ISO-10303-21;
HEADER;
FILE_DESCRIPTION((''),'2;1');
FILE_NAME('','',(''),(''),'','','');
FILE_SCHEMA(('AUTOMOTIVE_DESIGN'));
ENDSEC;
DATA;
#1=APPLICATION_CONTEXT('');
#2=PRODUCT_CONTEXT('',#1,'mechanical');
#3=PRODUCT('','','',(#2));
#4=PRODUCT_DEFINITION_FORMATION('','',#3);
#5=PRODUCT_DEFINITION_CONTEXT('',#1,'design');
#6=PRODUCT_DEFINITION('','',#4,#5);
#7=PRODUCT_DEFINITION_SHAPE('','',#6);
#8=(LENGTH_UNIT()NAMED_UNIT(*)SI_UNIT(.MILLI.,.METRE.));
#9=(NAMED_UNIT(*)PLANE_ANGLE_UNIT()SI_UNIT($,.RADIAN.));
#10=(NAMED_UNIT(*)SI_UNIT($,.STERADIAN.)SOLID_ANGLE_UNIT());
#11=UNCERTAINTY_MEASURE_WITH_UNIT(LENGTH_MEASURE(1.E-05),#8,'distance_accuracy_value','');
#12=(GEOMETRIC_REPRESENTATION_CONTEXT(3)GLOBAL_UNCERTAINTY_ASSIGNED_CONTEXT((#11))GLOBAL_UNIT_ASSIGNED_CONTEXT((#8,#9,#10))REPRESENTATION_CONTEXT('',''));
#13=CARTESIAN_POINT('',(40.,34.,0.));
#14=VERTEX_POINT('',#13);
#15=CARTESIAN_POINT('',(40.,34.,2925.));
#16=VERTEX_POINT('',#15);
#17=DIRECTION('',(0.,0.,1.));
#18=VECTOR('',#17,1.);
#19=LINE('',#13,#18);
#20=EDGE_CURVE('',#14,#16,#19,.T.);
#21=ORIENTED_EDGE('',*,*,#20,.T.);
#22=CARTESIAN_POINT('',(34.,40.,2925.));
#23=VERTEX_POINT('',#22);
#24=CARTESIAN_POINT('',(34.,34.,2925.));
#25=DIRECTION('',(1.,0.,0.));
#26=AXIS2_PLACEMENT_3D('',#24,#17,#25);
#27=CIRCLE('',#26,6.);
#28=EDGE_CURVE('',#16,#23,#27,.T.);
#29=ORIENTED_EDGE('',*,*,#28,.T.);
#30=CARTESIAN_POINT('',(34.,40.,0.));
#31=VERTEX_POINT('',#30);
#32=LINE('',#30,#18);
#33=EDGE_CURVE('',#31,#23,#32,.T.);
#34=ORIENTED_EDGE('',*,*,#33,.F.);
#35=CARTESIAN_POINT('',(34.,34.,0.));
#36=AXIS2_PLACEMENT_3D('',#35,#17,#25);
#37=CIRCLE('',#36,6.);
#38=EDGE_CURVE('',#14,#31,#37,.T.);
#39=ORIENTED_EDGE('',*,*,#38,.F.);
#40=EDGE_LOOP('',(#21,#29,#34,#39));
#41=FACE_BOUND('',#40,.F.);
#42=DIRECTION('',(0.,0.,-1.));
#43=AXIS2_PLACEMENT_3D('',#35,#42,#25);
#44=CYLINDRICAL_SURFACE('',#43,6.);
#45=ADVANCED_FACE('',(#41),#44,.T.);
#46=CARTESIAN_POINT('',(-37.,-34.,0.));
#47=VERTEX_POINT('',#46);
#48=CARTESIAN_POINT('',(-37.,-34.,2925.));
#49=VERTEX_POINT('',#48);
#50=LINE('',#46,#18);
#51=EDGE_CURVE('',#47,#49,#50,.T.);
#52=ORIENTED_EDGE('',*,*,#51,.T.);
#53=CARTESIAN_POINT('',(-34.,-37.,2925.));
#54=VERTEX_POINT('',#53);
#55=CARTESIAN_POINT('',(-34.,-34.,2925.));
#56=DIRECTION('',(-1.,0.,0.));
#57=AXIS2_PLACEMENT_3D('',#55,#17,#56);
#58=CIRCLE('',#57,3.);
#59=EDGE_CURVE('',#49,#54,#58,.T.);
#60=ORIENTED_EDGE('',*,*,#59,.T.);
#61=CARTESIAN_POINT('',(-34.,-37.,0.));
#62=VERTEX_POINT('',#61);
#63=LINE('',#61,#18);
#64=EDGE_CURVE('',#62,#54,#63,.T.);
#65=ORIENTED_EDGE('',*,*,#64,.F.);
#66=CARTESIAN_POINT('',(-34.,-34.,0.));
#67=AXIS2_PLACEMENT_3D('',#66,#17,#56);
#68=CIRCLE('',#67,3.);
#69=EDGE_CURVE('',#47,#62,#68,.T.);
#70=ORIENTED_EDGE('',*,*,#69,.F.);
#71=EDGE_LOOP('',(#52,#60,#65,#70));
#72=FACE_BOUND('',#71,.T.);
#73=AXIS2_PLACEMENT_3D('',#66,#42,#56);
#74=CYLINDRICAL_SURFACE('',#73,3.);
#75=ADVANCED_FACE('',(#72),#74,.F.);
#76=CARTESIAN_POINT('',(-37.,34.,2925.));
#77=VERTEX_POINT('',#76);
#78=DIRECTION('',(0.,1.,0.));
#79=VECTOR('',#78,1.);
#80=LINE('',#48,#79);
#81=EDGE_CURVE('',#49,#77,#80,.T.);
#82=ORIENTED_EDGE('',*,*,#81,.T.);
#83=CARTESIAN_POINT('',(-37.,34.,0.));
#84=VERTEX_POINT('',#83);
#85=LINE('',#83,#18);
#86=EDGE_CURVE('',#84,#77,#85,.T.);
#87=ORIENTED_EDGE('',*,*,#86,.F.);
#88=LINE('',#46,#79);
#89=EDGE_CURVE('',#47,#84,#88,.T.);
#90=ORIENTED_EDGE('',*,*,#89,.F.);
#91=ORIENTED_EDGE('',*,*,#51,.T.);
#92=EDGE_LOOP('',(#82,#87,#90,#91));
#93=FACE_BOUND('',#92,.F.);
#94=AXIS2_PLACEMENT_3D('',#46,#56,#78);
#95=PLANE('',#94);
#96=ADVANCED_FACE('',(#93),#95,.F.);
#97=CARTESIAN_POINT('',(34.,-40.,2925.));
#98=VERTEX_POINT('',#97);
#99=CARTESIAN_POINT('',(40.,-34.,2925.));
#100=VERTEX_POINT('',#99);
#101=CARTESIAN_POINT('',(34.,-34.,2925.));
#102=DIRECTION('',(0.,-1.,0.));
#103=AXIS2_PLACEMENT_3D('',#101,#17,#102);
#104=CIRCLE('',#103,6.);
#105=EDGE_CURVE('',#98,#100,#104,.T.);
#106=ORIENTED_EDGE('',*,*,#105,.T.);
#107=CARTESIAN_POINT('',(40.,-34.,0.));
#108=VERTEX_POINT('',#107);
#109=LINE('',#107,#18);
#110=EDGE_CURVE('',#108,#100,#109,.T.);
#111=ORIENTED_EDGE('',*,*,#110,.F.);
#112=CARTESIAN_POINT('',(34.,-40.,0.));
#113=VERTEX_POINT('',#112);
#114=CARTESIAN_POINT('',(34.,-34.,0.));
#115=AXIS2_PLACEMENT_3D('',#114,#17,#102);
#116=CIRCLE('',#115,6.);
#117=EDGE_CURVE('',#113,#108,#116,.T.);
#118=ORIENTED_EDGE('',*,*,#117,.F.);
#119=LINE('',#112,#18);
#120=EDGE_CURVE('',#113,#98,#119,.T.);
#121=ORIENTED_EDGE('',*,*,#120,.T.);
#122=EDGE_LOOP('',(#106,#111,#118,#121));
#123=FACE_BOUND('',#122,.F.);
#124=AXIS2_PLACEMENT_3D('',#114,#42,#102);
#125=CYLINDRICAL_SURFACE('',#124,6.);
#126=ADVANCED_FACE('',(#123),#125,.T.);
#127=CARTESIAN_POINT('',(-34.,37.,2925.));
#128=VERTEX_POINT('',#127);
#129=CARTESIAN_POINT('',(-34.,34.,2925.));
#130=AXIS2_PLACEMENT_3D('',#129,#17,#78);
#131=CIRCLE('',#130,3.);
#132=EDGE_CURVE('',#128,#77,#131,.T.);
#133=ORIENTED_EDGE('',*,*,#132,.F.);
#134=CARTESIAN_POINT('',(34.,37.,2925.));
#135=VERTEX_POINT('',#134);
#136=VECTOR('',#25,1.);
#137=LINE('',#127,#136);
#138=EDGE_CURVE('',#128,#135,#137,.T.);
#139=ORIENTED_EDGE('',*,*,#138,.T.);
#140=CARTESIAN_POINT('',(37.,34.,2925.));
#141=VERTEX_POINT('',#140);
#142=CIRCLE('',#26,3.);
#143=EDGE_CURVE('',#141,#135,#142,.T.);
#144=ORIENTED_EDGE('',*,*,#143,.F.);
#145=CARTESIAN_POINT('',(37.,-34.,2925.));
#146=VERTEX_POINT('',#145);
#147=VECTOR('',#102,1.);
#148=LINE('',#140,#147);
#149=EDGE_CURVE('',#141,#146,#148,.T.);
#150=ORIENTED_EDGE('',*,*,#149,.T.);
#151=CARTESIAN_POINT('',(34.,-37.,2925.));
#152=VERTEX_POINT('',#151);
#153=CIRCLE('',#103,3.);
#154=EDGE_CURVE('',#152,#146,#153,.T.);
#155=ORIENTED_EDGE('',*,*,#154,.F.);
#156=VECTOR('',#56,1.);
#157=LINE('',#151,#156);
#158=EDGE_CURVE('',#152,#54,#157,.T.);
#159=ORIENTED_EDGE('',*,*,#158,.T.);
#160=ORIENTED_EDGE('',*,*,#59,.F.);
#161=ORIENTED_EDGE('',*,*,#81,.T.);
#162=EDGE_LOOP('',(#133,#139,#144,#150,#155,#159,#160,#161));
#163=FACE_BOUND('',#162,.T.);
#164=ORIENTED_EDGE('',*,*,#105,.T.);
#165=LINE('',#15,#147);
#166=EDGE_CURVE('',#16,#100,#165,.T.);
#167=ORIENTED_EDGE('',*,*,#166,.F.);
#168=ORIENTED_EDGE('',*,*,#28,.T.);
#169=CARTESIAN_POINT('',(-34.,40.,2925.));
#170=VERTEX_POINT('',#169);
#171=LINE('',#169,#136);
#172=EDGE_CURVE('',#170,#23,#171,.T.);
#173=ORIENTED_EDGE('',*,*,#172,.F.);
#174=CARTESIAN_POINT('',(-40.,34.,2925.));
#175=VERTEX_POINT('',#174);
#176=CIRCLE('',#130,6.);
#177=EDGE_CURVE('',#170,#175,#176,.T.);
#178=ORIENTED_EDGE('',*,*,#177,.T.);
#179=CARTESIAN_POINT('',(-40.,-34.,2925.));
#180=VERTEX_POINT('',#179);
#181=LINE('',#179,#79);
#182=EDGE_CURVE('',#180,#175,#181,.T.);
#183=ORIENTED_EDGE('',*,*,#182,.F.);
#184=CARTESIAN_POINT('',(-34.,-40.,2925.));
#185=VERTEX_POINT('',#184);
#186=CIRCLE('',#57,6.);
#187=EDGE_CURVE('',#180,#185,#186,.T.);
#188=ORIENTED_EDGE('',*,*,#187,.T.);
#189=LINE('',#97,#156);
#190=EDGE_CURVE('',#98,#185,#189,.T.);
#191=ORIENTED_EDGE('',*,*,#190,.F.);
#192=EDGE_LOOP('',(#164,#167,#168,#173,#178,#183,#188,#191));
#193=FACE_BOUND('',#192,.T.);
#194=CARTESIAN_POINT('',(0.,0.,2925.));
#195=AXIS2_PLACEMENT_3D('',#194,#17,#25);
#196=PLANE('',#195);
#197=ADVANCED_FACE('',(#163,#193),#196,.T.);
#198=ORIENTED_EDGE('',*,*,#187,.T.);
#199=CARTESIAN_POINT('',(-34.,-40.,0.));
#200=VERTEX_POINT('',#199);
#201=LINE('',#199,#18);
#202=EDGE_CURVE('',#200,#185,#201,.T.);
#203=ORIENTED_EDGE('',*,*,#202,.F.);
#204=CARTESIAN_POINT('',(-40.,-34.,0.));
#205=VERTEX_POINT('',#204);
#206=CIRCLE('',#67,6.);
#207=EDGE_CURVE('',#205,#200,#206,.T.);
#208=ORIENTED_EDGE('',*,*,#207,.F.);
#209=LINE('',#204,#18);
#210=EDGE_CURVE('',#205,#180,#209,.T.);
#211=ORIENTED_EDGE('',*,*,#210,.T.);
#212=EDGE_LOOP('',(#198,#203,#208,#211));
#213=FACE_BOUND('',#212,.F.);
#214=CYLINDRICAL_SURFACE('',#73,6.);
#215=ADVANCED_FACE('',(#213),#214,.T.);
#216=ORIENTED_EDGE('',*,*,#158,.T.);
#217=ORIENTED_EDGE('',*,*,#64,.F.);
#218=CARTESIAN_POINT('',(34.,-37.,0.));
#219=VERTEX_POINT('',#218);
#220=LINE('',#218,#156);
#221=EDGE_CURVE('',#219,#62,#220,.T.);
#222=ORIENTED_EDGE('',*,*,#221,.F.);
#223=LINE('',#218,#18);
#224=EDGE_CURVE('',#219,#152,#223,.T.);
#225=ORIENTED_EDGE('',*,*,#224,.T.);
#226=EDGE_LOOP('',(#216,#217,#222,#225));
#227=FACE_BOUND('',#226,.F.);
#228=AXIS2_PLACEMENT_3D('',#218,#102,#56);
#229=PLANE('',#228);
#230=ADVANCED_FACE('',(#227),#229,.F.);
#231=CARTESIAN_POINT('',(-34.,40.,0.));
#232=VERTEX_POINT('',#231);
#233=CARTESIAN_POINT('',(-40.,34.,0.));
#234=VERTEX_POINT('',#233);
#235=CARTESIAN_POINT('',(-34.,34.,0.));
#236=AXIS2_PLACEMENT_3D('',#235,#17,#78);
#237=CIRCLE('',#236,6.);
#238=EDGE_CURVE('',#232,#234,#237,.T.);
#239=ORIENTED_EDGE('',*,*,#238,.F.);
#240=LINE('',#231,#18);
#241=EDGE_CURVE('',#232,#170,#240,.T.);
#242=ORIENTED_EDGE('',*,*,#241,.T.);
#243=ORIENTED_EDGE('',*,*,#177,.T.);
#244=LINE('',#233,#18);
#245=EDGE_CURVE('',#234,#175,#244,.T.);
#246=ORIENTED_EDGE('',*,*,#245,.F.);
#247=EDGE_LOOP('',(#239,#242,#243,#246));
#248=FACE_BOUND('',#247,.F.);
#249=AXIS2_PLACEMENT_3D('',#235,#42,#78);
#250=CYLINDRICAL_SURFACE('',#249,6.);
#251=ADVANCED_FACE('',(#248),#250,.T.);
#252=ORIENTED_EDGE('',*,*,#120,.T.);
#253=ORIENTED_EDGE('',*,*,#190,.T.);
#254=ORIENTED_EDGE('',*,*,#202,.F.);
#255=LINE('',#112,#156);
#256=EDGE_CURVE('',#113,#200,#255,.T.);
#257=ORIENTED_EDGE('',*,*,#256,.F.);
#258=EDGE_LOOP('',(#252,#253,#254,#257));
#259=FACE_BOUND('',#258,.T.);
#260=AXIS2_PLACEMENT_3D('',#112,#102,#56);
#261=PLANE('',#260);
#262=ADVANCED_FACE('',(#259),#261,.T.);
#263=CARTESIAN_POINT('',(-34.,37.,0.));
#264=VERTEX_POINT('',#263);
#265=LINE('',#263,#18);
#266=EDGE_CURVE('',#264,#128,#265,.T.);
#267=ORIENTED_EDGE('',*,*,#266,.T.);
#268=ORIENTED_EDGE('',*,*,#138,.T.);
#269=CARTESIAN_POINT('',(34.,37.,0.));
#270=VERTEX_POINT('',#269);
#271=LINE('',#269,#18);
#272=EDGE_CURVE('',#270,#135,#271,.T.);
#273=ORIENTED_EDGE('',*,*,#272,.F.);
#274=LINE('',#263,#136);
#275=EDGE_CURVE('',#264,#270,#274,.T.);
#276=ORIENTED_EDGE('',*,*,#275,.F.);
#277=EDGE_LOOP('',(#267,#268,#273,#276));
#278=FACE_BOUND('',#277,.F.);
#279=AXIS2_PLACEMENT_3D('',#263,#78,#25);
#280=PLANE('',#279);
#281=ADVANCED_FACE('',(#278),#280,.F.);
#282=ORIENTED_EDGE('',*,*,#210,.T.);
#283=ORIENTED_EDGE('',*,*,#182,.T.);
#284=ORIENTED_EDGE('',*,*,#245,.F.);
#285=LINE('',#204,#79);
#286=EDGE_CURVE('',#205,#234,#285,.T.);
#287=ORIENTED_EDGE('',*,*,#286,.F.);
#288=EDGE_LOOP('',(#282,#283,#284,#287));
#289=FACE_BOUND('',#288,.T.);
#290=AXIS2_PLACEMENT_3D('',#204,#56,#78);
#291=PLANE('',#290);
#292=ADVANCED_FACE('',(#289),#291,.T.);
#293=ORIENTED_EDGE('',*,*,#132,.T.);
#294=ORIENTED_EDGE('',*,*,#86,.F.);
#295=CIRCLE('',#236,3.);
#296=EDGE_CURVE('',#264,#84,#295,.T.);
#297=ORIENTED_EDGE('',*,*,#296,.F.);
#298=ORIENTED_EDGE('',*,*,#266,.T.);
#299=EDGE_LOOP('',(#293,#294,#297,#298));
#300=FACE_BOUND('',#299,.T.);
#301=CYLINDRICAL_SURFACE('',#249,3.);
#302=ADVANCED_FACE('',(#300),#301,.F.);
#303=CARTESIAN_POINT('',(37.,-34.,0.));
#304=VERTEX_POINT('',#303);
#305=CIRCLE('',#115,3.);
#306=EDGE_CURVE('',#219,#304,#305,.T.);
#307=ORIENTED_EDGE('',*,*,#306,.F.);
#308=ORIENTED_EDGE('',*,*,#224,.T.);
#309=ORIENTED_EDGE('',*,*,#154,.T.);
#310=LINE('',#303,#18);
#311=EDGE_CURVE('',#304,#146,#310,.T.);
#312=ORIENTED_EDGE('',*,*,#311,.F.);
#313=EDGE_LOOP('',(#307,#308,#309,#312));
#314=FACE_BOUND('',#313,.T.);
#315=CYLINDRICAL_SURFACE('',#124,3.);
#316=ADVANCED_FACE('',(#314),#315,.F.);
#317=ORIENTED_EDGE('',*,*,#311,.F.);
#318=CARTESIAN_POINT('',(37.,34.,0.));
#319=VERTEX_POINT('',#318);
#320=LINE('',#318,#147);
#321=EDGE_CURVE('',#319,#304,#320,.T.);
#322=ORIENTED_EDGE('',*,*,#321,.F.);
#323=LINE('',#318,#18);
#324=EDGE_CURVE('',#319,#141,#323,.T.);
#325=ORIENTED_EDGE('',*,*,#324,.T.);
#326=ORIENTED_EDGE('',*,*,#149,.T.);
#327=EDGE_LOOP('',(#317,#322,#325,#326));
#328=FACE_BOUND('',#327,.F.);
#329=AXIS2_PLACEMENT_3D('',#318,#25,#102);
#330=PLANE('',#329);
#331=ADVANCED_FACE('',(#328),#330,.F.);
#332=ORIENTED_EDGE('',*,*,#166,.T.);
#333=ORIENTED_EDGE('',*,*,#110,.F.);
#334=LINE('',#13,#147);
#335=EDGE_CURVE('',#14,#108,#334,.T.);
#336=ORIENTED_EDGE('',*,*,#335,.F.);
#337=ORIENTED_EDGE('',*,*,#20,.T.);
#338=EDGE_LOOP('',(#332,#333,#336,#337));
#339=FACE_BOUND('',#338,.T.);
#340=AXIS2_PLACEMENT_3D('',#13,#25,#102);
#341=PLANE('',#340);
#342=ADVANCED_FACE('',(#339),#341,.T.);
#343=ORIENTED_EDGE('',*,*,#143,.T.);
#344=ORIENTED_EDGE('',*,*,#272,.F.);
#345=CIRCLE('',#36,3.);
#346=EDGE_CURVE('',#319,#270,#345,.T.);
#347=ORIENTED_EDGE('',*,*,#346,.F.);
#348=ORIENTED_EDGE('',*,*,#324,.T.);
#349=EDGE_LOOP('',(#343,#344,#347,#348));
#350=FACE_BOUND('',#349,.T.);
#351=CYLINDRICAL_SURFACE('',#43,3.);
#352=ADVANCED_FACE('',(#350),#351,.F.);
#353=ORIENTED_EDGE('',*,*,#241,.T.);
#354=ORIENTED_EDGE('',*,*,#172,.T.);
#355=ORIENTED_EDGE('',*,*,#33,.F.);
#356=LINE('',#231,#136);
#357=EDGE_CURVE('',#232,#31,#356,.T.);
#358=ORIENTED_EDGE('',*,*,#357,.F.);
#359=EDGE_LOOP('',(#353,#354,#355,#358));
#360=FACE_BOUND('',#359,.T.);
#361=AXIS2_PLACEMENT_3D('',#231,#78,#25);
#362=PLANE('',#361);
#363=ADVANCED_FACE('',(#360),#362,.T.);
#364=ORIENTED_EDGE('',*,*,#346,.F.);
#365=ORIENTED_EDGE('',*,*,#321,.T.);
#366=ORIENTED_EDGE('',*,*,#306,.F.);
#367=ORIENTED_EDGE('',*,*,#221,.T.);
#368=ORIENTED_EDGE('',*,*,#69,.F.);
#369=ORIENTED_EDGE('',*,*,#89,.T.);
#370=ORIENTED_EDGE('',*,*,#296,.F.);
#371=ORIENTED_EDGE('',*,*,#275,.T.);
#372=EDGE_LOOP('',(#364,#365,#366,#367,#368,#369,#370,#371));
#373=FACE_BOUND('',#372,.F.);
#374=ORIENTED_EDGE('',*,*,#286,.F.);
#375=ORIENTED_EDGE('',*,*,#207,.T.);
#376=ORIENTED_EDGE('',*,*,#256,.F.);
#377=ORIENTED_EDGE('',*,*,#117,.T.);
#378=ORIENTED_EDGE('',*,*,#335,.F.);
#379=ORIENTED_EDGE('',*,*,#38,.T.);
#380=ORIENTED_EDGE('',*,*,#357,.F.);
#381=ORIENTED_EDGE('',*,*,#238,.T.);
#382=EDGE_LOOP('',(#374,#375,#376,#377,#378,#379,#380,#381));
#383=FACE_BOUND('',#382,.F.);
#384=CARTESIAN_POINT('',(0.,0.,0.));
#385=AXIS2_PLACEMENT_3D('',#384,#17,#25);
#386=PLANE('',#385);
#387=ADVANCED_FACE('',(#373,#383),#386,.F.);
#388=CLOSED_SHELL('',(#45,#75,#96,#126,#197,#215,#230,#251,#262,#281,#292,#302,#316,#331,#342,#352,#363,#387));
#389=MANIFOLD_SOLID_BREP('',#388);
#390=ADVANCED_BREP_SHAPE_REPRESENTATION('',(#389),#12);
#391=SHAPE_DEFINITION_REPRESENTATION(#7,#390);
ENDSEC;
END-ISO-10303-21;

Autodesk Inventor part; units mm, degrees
ref_plane "YZ Plane" through (0, 0, 0) normal (1, 0, 0) x (0, 1, 0)
ref_plane "Start plane" through (0, 0, 0) normal (0, 0, 1) x (1, 0, 0)
ref_plane "End plane" through (0, 0, 2925) normal (0, 0, 1) x (1, 0, 0)
sketch "Sketch" plane through (0, 0, 0) normal (0, 0, 1) x (1, 0, 0)
  line L0 (-40, -34) -> (-40, 34)
  line L1 (-34, 40) -> (34, 40)
  line L2 (40, 34) -> (40, -34)
  line L3 (34, -40) -> (-34, -40)
  arc A0 (-40, -34) -> (-34, -40) centre (-34, -34) ccw
  arc A1 (40, 34) -> (34, 40) centre (34, 34) ccw
  arc A2 (-34, 40) -> (-40, 34) centre (-34, 34) ccw
  arc A3 (34, -40) -> (40, -34) centre (34, -34) ccw
  arc A4 (-34, 37) -> (-37, 34) centre (-34, 34) ccw
  line L4 (-34, 37) -> (34, 37)
  arc A5 (37, 34) -> (34, 37) centre (34, 34) ccw
  line L5 (37, 34) -> (37, -34)
  arc A6 (34, -37) -> (37, -34) centre (34, -34) ccw
  line L6 (34, -37) -> (-34, -37)
  arc A7 (-37, -34) -> (-34, -37) centre (-34, -34) ccw
  line L7 (-37, -34) -> (-37, 34)
  line L8 (0, 37.1021) -> (0, -37.1021) construction
  line L9 (-23.1021, 0) -> (23.1021, 0) construction
  dimension "d7" = 6
  dimension "d9" = 80
  dimension "d11" = 80
  dimension "d12" = 3
  dimension "d15" = 40
  dimension "d16" = 40
extrude "Body" add sketch "Sketch" along normal up to surface (2925 mm away) from surface at 0
sketch "Sketch3" plane through (0, 0, 0) normal (0, 0, 1) x (1, 0, 0)
  line L0 (0, 0) -> (10, 0)
ref_plane "Work Plane3" through (0, 0, 0) normal (0, -1, 0) x (1, 0, 0)
sketch "Sketch4" plane through (0, 0, 0) normal (0, -1, 0) x (1, 0, 0)
  line L0 (-2, 0) -> (12, 0) projected
  line L1 (-2, 2925) -> (12, 2925) projected
  dimension "d18" = 2925
equation "\"d7\" = G_IR"
equation "\"d9\" = G_W"
equation "\"d11\" = G_H"
equation "\"d12\" = G_T"
equation "\"d15\" = 0.5 * d9"
equation "\"d16\" = 0.5 * d11"
equation "\"d3\" = G_L"
equation "\"G_W\" = 80"
equation "\"G_H\" = 80"
equation "\"G_T\" = 3"
equation "\"G_IR\" = 6"
equation "\"G_L\" = d18"
equation "\"G_OFFSET_START\" = 0"
equation "\"G_OFFSET_END\" = 0"
equation "\"d14\" = G_OFFSET_END + B_L"
equation "\"B_L\" = 2925"
properties part number "MSC 907 transverse pipe" material "Steel, Mild"
